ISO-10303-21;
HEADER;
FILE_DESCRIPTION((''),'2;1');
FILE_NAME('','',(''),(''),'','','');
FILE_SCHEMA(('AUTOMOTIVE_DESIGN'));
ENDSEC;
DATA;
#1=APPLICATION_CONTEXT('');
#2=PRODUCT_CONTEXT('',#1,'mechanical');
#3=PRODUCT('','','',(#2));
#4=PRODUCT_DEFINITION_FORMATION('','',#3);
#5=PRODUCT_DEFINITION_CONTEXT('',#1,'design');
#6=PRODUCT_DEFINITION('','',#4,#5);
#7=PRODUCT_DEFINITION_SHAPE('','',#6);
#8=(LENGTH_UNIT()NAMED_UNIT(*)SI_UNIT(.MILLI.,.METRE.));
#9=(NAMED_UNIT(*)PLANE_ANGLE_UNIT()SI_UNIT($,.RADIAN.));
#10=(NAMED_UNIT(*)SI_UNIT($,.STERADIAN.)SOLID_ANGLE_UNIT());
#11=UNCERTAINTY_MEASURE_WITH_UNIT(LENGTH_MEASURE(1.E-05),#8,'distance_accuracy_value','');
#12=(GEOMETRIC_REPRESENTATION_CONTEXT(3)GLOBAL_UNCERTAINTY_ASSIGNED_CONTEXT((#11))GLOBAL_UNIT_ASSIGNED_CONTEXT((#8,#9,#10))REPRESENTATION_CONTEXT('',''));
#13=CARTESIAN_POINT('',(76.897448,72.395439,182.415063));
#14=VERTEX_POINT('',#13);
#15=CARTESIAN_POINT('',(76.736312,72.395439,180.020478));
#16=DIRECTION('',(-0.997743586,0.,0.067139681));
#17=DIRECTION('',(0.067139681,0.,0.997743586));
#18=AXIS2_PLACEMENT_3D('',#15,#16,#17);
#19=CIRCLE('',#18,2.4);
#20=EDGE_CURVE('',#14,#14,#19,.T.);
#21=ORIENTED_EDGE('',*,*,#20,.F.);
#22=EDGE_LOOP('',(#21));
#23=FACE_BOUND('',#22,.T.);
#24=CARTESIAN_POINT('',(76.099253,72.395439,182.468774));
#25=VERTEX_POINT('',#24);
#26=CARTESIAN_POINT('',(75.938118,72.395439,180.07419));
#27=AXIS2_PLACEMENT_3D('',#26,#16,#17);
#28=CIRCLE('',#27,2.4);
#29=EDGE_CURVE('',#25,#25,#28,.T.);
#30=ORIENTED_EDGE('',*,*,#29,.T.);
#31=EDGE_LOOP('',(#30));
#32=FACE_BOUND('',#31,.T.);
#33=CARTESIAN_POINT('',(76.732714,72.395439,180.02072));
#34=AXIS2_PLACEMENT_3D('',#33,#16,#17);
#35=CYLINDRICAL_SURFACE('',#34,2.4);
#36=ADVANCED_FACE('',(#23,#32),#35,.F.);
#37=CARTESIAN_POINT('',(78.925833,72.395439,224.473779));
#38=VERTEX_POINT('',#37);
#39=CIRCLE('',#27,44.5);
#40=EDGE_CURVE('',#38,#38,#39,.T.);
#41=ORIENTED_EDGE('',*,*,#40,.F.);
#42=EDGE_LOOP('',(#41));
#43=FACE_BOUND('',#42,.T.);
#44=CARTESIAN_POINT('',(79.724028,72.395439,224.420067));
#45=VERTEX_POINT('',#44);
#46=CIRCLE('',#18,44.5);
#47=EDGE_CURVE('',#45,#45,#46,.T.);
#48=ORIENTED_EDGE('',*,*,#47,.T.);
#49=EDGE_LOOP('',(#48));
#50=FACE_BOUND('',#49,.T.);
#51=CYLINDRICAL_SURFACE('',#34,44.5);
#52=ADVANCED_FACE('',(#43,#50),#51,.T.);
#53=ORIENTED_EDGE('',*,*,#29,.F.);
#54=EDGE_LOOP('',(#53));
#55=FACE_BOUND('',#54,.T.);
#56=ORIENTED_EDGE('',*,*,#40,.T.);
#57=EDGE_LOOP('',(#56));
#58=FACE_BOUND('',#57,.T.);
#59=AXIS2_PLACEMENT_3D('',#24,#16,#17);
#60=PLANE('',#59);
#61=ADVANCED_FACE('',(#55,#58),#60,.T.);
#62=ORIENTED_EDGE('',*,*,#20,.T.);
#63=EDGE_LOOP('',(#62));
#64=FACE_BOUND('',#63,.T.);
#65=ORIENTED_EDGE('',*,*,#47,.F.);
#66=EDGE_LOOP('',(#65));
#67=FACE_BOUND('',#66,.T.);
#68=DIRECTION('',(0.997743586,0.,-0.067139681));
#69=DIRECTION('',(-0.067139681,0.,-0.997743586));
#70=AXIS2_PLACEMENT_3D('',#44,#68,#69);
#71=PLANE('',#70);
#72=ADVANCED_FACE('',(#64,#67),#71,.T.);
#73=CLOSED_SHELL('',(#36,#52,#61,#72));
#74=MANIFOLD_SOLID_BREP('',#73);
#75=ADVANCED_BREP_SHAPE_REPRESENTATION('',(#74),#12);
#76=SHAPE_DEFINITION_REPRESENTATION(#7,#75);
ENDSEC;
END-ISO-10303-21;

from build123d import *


with BuildPart() as part:
    # Esquisse1 → Révolution1 (revolve)
    with BuildSketch(Plane(origin=(0, 72.395438751, 0), x_dir=(-1, 0, 0), z_dir=(0, 1, 0))):
        Polygon((-79.724028307, 224.420067487), (-76.897447733, 182.41506252), (-76.099252864, 182.468774265), (-78.925833439, 224.473779232), align=None)
    revolve(axis=Axis((76.732714445, 72.395438751, 180.020720033), (-0.9977435859079075, 0, 0.06713968111057794)))


solid = part.part
